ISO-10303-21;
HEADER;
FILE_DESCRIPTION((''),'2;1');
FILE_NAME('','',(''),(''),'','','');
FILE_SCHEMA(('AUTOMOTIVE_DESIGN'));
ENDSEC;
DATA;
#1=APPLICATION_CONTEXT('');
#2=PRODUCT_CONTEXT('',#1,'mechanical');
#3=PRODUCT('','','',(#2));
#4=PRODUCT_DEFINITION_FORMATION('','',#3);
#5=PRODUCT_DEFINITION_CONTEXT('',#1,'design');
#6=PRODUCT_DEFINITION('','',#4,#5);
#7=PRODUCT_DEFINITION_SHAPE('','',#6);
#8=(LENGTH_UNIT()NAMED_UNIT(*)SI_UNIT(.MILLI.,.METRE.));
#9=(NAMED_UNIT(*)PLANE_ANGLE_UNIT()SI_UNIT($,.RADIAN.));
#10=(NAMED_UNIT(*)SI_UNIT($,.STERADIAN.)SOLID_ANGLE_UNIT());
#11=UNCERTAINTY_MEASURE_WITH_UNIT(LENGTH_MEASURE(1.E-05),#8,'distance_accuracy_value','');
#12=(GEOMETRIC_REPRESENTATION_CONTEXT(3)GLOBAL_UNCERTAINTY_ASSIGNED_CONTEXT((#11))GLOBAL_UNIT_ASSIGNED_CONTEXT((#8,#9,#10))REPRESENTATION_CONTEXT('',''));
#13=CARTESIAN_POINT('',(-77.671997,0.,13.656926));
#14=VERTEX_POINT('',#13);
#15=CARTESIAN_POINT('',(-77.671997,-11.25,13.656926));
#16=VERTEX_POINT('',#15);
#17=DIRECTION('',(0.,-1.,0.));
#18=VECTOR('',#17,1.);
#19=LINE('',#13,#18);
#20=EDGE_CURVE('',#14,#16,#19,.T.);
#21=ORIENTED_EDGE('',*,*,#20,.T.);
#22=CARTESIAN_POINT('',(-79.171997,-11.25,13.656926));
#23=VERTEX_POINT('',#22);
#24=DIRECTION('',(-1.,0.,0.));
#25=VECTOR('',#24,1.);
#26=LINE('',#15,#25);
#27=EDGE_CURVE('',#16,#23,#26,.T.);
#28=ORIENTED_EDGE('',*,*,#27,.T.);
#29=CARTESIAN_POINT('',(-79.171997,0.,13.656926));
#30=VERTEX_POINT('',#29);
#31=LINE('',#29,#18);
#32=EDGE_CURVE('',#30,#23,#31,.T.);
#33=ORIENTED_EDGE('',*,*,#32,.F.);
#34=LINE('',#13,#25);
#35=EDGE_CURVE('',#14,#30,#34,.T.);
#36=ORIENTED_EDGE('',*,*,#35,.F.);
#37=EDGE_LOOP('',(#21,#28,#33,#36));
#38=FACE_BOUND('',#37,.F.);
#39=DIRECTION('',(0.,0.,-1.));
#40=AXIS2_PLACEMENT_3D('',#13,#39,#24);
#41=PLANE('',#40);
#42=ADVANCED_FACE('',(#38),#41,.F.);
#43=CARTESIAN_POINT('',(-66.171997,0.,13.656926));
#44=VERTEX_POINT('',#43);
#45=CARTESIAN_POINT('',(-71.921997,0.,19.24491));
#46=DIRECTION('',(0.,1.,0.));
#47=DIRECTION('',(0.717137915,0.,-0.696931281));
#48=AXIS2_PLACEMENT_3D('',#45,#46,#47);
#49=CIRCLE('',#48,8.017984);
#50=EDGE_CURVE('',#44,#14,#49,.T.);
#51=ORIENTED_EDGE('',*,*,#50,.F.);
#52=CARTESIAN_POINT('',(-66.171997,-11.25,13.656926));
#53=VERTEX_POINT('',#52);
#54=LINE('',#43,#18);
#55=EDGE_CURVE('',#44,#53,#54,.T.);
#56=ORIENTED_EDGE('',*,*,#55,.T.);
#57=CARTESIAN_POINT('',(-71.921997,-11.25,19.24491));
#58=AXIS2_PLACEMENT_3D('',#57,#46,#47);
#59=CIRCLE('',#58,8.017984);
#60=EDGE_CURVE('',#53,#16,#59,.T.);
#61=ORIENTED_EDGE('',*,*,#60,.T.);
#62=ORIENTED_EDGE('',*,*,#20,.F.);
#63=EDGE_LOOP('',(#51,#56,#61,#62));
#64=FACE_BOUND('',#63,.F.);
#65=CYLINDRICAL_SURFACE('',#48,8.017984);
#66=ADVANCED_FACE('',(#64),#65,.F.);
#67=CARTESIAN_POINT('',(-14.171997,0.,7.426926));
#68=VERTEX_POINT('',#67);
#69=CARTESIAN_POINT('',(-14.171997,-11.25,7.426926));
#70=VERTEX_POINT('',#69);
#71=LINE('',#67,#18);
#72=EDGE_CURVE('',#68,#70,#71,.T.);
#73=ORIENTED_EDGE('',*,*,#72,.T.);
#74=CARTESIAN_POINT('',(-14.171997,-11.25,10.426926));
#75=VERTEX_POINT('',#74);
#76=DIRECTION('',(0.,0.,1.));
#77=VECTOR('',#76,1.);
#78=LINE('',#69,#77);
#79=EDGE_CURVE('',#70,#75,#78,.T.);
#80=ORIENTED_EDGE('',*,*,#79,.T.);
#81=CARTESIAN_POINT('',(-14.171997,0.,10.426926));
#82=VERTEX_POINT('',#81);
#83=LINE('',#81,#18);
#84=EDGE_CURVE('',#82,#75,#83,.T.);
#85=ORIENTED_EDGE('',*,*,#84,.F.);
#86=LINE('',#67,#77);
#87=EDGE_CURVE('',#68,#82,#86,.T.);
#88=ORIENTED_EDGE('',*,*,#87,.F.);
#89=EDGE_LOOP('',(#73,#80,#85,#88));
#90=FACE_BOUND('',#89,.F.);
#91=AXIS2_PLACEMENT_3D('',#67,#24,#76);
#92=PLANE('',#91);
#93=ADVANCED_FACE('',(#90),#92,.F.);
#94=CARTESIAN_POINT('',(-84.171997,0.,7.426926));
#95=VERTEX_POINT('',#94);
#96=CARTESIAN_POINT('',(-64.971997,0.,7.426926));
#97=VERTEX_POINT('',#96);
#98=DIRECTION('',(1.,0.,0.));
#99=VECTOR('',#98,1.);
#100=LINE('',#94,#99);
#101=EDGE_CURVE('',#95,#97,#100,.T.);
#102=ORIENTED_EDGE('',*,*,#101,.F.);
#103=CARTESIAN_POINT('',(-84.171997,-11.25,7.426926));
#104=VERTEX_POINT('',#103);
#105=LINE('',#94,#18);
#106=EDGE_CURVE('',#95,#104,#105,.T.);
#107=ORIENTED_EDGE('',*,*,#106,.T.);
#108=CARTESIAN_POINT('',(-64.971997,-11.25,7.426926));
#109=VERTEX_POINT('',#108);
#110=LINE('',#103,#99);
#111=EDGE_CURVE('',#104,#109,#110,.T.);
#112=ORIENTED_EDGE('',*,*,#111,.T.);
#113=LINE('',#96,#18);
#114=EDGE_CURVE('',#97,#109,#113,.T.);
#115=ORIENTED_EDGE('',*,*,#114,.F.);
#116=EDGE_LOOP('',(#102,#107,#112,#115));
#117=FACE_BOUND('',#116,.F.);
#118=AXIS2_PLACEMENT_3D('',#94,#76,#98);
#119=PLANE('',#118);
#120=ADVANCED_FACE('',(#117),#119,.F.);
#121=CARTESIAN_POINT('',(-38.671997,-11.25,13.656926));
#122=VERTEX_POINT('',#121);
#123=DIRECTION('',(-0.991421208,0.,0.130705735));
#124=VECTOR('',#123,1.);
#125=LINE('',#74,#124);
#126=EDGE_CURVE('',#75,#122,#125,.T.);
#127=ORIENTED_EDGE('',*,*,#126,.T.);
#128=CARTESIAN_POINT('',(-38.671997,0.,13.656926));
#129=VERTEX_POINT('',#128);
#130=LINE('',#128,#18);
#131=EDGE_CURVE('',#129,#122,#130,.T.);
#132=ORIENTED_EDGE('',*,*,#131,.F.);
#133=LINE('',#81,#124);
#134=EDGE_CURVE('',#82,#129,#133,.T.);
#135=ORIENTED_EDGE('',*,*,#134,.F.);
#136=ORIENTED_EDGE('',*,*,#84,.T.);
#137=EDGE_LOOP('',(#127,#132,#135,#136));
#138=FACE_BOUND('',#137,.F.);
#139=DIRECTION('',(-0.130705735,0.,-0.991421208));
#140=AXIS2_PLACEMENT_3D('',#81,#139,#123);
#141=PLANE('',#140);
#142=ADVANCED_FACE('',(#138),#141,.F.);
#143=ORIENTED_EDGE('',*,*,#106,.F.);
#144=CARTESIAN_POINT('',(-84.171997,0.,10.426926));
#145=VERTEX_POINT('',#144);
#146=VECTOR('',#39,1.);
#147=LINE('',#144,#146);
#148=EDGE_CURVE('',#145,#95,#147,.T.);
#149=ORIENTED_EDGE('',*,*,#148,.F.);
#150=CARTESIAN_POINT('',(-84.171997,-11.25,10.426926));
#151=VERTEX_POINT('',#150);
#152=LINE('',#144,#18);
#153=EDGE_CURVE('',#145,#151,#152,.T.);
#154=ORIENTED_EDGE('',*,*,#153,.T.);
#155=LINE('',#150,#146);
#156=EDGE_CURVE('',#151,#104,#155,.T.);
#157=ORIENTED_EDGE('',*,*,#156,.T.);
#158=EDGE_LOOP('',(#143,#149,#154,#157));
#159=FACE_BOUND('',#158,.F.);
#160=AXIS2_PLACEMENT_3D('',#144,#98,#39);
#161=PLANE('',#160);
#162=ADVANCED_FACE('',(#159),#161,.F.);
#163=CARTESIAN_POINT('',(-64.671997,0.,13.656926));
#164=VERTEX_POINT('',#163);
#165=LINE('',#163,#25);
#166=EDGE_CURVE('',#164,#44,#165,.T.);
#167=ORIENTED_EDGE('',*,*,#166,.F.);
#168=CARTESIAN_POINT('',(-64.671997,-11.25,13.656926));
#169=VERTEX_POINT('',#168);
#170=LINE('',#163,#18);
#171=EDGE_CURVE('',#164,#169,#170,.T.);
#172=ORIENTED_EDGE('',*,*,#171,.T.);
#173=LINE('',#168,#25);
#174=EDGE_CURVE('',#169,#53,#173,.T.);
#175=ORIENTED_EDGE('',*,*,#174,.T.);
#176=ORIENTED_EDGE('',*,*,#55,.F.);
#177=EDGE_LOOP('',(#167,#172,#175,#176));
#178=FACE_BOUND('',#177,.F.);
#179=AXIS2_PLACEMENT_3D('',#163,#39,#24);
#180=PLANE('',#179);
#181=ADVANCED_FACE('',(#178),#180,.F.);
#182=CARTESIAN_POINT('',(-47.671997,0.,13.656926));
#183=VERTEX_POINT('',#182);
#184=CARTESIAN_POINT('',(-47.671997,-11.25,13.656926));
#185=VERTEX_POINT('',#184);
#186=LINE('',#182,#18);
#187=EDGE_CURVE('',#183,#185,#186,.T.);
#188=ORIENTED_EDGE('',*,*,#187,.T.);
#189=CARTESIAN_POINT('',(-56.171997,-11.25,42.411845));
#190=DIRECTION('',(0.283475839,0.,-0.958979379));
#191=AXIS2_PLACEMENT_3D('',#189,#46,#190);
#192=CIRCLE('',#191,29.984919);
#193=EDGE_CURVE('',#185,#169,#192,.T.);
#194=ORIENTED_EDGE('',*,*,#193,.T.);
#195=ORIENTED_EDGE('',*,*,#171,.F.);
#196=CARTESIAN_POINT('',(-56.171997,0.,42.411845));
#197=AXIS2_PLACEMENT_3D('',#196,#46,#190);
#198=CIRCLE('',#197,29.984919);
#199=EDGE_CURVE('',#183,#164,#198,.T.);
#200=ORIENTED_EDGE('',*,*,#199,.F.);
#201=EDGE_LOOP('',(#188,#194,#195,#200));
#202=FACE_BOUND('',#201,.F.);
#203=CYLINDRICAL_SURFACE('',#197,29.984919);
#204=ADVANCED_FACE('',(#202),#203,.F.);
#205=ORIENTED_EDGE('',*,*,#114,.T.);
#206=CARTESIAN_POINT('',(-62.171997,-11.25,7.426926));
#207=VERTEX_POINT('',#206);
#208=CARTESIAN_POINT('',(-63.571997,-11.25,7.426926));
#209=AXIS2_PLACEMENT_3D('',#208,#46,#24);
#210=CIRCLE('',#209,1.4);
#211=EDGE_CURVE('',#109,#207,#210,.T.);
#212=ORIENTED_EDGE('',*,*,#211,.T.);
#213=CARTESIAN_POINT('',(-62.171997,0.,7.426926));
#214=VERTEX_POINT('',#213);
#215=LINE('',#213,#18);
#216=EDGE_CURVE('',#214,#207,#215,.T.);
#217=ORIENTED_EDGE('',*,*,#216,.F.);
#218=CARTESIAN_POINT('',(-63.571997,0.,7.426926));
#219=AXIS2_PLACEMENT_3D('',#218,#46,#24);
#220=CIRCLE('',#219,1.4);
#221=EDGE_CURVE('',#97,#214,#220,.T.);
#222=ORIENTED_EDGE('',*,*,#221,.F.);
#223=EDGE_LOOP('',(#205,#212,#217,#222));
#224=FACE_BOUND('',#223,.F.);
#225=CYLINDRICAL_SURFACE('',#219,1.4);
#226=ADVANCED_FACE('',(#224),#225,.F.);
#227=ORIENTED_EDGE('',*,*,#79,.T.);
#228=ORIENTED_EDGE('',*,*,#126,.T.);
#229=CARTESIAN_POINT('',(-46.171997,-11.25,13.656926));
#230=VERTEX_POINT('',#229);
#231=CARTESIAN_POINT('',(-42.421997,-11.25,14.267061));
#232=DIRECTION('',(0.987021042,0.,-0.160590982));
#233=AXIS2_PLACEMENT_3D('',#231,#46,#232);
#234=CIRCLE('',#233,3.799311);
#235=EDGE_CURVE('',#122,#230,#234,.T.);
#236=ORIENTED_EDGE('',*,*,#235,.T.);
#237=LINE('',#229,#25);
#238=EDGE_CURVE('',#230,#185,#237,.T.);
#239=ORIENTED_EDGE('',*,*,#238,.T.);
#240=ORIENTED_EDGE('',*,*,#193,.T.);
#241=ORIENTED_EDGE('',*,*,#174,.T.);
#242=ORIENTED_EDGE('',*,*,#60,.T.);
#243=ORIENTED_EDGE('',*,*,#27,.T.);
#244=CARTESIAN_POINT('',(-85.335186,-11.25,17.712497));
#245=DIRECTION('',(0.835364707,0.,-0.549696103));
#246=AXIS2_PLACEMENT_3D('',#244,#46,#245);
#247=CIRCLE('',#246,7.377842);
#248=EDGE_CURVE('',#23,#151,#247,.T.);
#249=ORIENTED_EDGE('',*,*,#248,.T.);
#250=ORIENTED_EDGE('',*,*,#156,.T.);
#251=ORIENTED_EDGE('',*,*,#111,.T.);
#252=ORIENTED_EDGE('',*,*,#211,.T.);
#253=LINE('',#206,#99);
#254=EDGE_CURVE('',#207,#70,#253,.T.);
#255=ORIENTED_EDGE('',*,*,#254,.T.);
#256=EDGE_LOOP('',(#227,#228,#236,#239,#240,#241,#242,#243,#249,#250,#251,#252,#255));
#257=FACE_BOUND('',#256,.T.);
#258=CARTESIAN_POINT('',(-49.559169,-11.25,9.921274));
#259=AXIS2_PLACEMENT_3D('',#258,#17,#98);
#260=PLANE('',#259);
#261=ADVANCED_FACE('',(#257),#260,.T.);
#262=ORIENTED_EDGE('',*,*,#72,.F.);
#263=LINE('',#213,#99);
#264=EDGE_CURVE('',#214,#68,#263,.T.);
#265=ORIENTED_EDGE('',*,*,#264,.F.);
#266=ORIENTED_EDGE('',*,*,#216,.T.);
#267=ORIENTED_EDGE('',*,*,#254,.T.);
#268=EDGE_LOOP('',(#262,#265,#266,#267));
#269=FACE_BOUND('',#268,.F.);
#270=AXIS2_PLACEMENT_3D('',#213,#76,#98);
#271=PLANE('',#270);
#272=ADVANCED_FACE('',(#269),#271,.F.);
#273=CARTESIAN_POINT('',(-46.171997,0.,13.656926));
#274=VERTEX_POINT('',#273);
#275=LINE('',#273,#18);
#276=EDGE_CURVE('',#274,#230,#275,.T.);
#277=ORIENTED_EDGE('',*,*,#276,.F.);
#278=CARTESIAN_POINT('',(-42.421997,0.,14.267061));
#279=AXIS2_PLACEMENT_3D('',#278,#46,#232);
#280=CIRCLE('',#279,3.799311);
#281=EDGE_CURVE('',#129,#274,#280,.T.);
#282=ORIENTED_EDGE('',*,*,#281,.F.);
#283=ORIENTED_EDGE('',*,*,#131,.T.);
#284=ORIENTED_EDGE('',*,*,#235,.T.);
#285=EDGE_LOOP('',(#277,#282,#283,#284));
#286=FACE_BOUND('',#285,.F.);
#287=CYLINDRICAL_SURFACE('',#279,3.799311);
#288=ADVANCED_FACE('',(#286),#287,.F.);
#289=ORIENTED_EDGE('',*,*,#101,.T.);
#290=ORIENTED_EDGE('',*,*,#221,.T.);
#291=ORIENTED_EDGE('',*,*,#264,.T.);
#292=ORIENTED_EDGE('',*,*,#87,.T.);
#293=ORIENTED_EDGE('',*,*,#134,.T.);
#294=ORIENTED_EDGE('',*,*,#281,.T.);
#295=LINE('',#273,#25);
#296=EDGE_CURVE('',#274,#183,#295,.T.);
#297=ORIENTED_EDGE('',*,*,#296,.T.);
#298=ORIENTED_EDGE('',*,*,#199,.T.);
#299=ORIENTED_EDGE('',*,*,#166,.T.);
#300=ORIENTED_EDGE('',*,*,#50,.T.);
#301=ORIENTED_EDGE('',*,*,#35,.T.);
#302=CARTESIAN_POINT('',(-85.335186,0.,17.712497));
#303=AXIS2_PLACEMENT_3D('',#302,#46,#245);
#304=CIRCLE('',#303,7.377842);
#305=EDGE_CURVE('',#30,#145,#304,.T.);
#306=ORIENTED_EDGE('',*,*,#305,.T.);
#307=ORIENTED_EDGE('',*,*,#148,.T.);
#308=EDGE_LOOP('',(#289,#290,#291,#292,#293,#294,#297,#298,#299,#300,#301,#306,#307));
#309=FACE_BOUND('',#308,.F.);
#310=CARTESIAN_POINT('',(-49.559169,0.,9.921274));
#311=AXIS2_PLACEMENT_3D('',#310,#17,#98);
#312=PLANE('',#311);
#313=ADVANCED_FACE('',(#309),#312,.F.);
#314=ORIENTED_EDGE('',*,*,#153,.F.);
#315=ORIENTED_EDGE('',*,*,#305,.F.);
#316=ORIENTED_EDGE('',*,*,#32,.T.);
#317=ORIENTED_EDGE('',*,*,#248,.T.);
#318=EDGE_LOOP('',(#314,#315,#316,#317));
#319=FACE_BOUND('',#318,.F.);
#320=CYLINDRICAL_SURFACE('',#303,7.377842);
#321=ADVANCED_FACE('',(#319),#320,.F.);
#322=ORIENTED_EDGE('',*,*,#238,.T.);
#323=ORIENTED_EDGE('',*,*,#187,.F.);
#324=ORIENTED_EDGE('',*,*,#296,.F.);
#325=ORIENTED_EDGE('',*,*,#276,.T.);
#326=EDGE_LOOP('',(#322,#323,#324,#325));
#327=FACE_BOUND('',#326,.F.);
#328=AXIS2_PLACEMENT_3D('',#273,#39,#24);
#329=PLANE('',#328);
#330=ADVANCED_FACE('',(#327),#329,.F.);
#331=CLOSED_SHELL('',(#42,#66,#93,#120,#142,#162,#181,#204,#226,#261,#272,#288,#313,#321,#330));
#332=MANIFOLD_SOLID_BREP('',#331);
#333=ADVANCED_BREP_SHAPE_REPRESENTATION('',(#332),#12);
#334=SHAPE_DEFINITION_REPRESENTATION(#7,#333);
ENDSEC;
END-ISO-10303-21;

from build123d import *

# Parameters (mm, degrees)
F1_DEPTH = 11.25


with BuildPart() as f1:
    # F0 (on Front) → F1 (new body)
    with BuildSketch(Plane.XZ):
        with BuildLine():
            ThreePointArc((-79.171997, 13.656926), (-81.33179, 11.51529), (-84.171997, 10.426926))
            Line((-84.171997, 10.426926), (-84.171997, 7.426926))
            Line((-84.171997, 7.426926), (-64.971997, 7.426926))
            ThreePointArc((-64.971997, 7.426926), (-63.571997, 8.826926), (-62.171997, 7.426926))
            Line((-62.171997, 7.426926), (-14.171997, 7.426926))
            Line((-14.171997, 7.426926), (-14.171997, 10.426926))
            Line((-14.171997, 10.426926), (-38.671997, 13.656926))
            ThreePointArc((-38.671997, 13.656926), (-42.421997, 10.46775), (-46.171997, 13.656926))
            Line((-46.171997, 13.656926), (-47.671997, 13.656926))
            ThreePointArc((-47.671997, 13.656926), (-56.171997, 12.426926), (-64.671997, 13.656926))
            Line((-64.671997, 13.656926), (-66.171997, 13.656926))
            ThreePointArc((-66.171997, 13.656926), (-71.921997, 11.226926), (-77.671997, 13.656926))
            Line((-77.671997, 13.656926), (-79.171997, 13.656926))
        make_face()
    extrude(amount=F1_DEPTH)


solid = f1.part
